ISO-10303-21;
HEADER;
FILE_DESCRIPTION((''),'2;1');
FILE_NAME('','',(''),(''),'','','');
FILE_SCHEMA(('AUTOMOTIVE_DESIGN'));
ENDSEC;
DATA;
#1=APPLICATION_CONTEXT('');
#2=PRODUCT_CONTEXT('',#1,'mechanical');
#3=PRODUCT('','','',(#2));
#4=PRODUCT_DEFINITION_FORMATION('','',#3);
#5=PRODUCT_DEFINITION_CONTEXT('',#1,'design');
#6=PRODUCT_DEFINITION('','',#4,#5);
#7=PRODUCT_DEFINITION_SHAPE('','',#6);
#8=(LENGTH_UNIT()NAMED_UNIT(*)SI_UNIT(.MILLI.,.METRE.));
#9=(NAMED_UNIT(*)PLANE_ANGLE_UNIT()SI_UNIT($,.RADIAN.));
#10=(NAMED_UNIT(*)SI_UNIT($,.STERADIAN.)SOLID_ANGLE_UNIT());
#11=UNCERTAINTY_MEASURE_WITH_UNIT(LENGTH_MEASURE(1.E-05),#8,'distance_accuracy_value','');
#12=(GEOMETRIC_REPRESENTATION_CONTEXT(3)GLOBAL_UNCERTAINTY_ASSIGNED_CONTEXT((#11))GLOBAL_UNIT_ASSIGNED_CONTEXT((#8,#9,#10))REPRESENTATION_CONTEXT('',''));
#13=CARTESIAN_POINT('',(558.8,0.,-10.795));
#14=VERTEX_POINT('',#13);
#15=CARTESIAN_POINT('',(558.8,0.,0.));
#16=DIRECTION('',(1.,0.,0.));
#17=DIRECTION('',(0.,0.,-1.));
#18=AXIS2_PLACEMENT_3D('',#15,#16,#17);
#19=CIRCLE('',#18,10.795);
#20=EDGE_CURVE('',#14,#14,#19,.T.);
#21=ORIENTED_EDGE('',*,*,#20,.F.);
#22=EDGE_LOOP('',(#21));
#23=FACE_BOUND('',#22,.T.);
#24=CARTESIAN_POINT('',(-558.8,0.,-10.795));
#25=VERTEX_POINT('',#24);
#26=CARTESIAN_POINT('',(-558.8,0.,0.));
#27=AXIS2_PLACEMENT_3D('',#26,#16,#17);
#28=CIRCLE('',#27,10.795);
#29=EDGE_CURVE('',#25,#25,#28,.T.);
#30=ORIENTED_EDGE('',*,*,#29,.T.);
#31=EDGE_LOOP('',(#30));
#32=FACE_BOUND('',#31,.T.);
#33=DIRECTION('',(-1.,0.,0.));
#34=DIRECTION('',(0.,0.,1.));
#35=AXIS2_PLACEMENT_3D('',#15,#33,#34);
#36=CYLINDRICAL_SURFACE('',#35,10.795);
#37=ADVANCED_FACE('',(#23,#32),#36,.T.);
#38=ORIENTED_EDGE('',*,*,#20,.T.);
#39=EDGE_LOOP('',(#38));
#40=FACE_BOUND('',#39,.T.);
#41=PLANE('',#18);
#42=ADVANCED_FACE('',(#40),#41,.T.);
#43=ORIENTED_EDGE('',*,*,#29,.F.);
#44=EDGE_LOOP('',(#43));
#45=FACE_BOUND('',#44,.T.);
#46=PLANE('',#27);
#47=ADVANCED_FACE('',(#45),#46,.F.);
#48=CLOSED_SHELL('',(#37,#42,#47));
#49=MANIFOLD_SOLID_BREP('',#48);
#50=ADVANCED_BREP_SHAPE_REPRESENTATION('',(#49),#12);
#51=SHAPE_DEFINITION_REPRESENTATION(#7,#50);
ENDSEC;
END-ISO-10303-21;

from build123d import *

# Parameters (mm, degrees)
SKETCH1_R           = 10.795
BOSS_EXTRUDE1_DEPTH = 558.8


with BuildPart() as part:
    # Sketch1 → Boss-Extrude1 (new body, symmetric)
    with BuildSketch(Plane(origin=(0, 0, 0), x_dir=(0, 0, -1), z_dir=(1, 0, 0))):
        Circle(SKETCH1_R)
    extrude(amount=BOSS_EXTRUDE1_DEPTH, both=True)


solid = part.part
